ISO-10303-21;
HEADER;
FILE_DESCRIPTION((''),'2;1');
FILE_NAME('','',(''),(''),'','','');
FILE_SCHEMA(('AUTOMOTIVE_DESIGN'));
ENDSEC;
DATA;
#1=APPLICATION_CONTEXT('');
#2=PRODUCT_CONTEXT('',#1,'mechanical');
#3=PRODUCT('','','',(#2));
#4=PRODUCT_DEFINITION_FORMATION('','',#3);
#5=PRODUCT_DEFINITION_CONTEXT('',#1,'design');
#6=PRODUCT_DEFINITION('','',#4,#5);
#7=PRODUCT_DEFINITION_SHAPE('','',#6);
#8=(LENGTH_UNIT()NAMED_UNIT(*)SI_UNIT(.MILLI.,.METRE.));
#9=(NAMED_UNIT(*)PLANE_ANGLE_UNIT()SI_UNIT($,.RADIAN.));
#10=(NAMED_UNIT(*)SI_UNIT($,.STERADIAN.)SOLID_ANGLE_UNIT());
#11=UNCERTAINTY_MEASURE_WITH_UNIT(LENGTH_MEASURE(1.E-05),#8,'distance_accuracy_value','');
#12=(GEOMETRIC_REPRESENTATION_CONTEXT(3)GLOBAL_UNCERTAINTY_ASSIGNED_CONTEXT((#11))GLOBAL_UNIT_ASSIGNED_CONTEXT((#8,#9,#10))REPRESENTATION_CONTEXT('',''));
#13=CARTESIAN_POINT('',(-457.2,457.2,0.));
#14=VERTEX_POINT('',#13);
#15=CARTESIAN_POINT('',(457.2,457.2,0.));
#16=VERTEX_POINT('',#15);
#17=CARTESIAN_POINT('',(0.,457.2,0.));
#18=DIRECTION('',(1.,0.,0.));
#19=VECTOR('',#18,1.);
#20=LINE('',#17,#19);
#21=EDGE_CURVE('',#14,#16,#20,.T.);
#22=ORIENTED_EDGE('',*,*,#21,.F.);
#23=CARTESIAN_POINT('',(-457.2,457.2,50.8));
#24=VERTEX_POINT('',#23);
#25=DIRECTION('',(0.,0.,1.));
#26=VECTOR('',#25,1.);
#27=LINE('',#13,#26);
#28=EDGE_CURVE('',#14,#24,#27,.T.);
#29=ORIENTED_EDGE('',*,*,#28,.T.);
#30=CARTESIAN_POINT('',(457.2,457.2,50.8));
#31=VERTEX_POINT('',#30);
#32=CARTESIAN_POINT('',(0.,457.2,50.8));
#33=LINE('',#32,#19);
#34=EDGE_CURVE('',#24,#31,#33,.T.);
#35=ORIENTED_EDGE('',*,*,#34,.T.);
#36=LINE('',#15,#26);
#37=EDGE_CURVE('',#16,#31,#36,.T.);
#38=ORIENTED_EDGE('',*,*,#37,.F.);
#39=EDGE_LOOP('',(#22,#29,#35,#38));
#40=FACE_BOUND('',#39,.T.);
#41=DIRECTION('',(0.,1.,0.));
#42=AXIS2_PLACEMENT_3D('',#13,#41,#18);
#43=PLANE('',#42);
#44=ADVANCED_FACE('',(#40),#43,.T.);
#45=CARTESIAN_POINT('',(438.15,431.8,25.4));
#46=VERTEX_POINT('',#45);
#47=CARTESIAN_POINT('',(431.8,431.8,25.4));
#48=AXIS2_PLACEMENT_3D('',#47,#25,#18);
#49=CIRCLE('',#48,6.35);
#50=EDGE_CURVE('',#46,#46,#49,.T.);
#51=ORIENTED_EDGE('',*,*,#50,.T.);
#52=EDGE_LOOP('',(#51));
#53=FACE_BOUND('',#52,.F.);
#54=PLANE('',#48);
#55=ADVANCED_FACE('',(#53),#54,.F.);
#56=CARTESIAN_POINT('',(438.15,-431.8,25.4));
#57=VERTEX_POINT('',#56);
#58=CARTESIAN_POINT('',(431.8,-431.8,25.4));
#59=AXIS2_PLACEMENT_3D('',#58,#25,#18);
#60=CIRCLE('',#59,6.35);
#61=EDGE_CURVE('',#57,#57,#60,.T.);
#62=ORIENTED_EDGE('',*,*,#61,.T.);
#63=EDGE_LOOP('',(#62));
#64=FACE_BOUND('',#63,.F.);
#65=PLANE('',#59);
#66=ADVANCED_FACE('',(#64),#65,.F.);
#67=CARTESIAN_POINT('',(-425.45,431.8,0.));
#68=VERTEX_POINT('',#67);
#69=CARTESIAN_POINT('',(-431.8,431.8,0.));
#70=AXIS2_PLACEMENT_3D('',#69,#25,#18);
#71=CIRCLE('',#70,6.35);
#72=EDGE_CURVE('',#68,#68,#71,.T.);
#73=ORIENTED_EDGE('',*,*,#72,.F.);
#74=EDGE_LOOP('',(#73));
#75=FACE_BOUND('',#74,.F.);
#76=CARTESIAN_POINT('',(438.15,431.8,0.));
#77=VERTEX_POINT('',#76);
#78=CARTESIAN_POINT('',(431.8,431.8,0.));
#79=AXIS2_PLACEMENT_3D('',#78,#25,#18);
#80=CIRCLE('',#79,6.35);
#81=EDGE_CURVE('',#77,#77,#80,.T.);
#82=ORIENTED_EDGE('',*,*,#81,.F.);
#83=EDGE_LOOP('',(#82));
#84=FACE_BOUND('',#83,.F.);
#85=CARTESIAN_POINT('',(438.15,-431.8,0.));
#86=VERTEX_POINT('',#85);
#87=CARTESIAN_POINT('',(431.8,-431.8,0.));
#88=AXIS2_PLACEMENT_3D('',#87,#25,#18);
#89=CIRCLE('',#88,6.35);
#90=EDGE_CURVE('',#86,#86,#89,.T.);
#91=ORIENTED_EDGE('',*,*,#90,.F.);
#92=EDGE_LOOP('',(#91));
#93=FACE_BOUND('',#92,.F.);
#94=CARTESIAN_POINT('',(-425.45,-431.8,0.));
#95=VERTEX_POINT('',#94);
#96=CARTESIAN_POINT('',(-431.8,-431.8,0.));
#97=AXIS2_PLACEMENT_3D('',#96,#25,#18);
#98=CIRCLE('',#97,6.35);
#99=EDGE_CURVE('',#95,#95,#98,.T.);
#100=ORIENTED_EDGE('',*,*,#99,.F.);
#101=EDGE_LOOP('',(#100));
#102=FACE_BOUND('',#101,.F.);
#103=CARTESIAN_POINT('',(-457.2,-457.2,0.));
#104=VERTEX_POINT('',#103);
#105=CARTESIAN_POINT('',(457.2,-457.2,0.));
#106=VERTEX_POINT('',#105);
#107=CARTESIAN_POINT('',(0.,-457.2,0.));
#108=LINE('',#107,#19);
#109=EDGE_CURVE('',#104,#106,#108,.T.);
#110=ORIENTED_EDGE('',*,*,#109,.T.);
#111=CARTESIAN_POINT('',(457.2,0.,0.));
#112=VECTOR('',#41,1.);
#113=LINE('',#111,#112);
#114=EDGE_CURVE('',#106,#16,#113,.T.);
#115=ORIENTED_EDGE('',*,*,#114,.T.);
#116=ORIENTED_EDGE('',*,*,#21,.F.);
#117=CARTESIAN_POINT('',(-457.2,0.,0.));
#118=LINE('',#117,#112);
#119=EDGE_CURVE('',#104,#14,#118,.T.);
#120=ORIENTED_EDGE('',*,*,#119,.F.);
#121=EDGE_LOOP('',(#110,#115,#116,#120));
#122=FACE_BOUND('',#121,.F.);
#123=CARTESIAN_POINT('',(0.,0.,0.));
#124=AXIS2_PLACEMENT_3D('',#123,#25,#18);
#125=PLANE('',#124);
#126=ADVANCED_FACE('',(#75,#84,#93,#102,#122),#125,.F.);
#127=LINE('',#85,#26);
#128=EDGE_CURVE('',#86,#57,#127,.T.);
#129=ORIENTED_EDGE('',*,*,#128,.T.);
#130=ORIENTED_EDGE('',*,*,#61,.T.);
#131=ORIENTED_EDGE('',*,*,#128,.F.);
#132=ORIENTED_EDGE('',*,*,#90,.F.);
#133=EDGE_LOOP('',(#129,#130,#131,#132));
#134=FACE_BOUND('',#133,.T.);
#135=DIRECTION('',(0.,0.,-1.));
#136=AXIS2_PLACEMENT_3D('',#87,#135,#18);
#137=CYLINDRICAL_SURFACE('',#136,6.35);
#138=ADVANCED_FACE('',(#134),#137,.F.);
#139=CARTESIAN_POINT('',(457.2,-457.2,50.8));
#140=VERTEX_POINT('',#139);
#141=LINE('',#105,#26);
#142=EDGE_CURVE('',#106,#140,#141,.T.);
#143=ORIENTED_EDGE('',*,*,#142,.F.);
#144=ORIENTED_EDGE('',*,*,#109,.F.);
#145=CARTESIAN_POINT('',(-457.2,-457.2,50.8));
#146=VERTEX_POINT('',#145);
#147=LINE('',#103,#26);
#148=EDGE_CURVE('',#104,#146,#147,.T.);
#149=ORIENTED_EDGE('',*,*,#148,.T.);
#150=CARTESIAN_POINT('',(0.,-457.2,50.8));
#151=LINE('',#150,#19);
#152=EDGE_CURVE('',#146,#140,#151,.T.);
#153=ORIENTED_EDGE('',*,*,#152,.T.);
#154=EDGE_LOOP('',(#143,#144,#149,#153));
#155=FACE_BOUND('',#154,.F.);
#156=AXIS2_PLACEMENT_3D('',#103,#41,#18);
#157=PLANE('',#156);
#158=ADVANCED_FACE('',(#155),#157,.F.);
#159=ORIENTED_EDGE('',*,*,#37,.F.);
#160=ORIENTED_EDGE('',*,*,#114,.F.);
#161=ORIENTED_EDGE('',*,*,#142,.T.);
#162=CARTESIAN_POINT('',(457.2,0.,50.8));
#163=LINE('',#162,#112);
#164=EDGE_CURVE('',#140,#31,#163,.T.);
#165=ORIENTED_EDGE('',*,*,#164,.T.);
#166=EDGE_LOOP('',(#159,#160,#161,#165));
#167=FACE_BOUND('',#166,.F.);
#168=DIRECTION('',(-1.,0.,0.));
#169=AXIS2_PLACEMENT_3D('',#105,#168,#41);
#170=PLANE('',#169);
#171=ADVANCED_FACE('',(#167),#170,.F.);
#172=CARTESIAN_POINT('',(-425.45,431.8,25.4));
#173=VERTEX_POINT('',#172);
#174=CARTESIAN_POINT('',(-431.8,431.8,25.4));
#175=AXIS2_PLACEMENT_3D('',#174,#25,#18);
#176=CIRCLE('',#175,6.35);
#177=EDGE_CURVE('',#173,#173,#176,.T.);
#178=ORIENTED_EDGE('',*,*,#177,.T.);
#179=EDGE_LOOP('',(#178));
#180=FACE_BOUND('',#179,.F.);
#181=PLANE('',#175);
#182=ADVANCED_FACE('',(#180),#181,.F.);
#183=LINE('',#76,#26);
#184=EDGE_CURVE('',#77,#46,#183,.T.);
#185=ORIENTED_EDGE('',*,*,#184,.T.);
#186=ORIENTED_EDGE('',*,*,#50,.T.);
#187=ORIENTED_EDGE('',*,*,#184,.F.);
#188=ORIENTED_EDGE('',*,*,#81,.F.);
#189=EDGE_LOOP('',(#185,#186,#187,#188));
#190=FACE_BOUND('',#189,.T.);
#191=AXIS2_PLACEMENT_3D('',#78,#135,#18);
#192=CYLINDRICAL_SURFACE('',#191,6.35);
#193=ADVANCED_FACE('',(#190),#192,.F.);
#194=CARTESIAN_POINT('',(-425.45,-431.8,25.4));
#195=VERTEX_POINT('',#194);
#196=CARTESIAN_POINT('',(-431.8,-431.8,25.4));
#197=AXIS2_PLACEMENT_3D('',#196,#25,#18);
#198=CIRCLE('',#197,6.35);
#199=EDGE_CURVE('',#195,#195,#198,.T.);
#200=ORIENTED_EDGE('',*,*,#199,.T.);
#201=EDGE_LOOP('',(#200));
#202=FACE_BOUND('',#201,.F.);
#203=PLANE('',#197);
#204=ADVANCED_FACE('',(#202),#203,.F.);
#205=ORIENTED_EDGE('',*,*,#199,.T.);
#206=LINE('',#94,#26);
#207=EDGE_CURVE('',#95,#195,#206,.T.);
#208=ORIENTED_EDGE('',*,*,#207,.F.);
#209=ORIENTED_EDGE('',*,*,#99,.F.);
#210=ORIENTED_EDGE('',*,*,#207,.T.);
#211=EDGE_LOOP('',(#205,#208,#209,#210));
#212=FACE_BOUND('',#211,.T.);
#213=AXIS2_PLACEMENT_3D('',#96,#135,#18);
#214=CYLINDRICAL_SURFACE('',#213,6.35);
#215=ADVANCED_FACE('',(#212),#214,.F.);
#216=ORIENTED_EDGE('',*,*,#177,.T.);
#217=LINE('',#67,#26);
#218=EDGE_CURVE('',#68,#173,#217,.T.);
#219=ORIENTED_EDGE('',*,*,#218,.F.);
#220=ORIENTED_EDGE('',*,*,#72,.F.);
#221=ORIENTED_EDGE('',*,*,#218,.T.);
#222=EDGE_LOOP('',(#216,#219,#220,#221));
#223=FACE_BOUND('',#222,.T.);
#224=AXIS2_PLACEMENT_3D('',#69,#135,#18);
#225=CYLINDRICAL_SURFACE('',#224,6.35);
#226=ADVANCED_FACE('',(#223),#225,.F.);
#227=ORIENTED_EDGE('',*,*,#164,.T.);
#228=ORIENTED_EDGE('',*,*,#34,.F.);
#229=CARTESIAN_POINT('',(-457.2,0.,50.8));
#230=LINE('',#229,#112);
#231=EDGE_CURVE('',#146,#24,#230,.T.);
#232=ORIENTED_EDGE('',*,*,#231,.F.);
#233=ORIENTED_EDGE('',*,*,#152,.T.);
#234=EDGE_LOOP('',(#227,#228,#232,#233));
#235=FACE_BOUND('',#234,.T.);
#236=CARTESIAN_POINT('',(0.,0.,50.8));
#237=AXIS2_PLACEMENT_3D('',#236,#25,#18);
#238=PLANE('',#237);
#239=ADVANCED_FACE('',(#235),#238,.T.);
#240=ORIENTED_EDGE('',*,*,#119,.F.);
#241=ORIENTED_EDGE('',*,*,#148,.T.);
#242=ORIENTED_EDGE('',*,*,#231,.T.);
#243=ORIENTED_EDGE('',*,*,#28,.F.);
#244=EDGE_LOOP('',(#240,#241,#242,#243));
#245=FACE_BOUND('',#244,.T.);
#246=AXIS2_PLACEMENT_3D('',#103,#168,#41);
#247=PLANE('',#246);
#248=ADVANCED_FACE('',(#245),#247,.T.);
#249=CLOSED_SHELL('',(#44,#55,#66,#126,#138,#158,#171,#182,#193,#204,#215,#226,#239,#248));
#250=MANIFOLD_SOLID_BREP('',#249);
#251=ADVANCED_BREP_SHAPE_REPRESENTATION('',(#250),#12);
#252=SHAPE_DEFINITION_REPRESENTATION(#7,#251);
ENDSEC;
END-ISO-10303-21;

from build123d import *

# Parameters (mm, degrees)
F0_W     = 914.4
F0_H     = 914.4
F1_DEPTH = 50.8
F2_R     = 6.35
F3_DEPTH = 25.4


with BuildPart() as f1:
    # F0 (on Top) → F1 (new body)
    with BuildSketch(Plane.XY):
        Rectangle(F0_W, F0_H)
    extrude(amount=F1_DEPTH)

    # F2 (on Top) → F3 (cut)
    with BuildSketch(Plane.XY):
        with Locations((-431.8, -431.8)):
            Circle(F2_R)
        with Locations((431.8, -431.8)):
            Circle(F2_R)
        with Locations((431.8, 431.8)):
            Circle(F2_R)
        with Locations((-431.8, 431.8)):
            Circle(F2_R)
    extrude(amount=F3_DEPTH, mode=Mode.SUBTRACT)


solid = f1.part
